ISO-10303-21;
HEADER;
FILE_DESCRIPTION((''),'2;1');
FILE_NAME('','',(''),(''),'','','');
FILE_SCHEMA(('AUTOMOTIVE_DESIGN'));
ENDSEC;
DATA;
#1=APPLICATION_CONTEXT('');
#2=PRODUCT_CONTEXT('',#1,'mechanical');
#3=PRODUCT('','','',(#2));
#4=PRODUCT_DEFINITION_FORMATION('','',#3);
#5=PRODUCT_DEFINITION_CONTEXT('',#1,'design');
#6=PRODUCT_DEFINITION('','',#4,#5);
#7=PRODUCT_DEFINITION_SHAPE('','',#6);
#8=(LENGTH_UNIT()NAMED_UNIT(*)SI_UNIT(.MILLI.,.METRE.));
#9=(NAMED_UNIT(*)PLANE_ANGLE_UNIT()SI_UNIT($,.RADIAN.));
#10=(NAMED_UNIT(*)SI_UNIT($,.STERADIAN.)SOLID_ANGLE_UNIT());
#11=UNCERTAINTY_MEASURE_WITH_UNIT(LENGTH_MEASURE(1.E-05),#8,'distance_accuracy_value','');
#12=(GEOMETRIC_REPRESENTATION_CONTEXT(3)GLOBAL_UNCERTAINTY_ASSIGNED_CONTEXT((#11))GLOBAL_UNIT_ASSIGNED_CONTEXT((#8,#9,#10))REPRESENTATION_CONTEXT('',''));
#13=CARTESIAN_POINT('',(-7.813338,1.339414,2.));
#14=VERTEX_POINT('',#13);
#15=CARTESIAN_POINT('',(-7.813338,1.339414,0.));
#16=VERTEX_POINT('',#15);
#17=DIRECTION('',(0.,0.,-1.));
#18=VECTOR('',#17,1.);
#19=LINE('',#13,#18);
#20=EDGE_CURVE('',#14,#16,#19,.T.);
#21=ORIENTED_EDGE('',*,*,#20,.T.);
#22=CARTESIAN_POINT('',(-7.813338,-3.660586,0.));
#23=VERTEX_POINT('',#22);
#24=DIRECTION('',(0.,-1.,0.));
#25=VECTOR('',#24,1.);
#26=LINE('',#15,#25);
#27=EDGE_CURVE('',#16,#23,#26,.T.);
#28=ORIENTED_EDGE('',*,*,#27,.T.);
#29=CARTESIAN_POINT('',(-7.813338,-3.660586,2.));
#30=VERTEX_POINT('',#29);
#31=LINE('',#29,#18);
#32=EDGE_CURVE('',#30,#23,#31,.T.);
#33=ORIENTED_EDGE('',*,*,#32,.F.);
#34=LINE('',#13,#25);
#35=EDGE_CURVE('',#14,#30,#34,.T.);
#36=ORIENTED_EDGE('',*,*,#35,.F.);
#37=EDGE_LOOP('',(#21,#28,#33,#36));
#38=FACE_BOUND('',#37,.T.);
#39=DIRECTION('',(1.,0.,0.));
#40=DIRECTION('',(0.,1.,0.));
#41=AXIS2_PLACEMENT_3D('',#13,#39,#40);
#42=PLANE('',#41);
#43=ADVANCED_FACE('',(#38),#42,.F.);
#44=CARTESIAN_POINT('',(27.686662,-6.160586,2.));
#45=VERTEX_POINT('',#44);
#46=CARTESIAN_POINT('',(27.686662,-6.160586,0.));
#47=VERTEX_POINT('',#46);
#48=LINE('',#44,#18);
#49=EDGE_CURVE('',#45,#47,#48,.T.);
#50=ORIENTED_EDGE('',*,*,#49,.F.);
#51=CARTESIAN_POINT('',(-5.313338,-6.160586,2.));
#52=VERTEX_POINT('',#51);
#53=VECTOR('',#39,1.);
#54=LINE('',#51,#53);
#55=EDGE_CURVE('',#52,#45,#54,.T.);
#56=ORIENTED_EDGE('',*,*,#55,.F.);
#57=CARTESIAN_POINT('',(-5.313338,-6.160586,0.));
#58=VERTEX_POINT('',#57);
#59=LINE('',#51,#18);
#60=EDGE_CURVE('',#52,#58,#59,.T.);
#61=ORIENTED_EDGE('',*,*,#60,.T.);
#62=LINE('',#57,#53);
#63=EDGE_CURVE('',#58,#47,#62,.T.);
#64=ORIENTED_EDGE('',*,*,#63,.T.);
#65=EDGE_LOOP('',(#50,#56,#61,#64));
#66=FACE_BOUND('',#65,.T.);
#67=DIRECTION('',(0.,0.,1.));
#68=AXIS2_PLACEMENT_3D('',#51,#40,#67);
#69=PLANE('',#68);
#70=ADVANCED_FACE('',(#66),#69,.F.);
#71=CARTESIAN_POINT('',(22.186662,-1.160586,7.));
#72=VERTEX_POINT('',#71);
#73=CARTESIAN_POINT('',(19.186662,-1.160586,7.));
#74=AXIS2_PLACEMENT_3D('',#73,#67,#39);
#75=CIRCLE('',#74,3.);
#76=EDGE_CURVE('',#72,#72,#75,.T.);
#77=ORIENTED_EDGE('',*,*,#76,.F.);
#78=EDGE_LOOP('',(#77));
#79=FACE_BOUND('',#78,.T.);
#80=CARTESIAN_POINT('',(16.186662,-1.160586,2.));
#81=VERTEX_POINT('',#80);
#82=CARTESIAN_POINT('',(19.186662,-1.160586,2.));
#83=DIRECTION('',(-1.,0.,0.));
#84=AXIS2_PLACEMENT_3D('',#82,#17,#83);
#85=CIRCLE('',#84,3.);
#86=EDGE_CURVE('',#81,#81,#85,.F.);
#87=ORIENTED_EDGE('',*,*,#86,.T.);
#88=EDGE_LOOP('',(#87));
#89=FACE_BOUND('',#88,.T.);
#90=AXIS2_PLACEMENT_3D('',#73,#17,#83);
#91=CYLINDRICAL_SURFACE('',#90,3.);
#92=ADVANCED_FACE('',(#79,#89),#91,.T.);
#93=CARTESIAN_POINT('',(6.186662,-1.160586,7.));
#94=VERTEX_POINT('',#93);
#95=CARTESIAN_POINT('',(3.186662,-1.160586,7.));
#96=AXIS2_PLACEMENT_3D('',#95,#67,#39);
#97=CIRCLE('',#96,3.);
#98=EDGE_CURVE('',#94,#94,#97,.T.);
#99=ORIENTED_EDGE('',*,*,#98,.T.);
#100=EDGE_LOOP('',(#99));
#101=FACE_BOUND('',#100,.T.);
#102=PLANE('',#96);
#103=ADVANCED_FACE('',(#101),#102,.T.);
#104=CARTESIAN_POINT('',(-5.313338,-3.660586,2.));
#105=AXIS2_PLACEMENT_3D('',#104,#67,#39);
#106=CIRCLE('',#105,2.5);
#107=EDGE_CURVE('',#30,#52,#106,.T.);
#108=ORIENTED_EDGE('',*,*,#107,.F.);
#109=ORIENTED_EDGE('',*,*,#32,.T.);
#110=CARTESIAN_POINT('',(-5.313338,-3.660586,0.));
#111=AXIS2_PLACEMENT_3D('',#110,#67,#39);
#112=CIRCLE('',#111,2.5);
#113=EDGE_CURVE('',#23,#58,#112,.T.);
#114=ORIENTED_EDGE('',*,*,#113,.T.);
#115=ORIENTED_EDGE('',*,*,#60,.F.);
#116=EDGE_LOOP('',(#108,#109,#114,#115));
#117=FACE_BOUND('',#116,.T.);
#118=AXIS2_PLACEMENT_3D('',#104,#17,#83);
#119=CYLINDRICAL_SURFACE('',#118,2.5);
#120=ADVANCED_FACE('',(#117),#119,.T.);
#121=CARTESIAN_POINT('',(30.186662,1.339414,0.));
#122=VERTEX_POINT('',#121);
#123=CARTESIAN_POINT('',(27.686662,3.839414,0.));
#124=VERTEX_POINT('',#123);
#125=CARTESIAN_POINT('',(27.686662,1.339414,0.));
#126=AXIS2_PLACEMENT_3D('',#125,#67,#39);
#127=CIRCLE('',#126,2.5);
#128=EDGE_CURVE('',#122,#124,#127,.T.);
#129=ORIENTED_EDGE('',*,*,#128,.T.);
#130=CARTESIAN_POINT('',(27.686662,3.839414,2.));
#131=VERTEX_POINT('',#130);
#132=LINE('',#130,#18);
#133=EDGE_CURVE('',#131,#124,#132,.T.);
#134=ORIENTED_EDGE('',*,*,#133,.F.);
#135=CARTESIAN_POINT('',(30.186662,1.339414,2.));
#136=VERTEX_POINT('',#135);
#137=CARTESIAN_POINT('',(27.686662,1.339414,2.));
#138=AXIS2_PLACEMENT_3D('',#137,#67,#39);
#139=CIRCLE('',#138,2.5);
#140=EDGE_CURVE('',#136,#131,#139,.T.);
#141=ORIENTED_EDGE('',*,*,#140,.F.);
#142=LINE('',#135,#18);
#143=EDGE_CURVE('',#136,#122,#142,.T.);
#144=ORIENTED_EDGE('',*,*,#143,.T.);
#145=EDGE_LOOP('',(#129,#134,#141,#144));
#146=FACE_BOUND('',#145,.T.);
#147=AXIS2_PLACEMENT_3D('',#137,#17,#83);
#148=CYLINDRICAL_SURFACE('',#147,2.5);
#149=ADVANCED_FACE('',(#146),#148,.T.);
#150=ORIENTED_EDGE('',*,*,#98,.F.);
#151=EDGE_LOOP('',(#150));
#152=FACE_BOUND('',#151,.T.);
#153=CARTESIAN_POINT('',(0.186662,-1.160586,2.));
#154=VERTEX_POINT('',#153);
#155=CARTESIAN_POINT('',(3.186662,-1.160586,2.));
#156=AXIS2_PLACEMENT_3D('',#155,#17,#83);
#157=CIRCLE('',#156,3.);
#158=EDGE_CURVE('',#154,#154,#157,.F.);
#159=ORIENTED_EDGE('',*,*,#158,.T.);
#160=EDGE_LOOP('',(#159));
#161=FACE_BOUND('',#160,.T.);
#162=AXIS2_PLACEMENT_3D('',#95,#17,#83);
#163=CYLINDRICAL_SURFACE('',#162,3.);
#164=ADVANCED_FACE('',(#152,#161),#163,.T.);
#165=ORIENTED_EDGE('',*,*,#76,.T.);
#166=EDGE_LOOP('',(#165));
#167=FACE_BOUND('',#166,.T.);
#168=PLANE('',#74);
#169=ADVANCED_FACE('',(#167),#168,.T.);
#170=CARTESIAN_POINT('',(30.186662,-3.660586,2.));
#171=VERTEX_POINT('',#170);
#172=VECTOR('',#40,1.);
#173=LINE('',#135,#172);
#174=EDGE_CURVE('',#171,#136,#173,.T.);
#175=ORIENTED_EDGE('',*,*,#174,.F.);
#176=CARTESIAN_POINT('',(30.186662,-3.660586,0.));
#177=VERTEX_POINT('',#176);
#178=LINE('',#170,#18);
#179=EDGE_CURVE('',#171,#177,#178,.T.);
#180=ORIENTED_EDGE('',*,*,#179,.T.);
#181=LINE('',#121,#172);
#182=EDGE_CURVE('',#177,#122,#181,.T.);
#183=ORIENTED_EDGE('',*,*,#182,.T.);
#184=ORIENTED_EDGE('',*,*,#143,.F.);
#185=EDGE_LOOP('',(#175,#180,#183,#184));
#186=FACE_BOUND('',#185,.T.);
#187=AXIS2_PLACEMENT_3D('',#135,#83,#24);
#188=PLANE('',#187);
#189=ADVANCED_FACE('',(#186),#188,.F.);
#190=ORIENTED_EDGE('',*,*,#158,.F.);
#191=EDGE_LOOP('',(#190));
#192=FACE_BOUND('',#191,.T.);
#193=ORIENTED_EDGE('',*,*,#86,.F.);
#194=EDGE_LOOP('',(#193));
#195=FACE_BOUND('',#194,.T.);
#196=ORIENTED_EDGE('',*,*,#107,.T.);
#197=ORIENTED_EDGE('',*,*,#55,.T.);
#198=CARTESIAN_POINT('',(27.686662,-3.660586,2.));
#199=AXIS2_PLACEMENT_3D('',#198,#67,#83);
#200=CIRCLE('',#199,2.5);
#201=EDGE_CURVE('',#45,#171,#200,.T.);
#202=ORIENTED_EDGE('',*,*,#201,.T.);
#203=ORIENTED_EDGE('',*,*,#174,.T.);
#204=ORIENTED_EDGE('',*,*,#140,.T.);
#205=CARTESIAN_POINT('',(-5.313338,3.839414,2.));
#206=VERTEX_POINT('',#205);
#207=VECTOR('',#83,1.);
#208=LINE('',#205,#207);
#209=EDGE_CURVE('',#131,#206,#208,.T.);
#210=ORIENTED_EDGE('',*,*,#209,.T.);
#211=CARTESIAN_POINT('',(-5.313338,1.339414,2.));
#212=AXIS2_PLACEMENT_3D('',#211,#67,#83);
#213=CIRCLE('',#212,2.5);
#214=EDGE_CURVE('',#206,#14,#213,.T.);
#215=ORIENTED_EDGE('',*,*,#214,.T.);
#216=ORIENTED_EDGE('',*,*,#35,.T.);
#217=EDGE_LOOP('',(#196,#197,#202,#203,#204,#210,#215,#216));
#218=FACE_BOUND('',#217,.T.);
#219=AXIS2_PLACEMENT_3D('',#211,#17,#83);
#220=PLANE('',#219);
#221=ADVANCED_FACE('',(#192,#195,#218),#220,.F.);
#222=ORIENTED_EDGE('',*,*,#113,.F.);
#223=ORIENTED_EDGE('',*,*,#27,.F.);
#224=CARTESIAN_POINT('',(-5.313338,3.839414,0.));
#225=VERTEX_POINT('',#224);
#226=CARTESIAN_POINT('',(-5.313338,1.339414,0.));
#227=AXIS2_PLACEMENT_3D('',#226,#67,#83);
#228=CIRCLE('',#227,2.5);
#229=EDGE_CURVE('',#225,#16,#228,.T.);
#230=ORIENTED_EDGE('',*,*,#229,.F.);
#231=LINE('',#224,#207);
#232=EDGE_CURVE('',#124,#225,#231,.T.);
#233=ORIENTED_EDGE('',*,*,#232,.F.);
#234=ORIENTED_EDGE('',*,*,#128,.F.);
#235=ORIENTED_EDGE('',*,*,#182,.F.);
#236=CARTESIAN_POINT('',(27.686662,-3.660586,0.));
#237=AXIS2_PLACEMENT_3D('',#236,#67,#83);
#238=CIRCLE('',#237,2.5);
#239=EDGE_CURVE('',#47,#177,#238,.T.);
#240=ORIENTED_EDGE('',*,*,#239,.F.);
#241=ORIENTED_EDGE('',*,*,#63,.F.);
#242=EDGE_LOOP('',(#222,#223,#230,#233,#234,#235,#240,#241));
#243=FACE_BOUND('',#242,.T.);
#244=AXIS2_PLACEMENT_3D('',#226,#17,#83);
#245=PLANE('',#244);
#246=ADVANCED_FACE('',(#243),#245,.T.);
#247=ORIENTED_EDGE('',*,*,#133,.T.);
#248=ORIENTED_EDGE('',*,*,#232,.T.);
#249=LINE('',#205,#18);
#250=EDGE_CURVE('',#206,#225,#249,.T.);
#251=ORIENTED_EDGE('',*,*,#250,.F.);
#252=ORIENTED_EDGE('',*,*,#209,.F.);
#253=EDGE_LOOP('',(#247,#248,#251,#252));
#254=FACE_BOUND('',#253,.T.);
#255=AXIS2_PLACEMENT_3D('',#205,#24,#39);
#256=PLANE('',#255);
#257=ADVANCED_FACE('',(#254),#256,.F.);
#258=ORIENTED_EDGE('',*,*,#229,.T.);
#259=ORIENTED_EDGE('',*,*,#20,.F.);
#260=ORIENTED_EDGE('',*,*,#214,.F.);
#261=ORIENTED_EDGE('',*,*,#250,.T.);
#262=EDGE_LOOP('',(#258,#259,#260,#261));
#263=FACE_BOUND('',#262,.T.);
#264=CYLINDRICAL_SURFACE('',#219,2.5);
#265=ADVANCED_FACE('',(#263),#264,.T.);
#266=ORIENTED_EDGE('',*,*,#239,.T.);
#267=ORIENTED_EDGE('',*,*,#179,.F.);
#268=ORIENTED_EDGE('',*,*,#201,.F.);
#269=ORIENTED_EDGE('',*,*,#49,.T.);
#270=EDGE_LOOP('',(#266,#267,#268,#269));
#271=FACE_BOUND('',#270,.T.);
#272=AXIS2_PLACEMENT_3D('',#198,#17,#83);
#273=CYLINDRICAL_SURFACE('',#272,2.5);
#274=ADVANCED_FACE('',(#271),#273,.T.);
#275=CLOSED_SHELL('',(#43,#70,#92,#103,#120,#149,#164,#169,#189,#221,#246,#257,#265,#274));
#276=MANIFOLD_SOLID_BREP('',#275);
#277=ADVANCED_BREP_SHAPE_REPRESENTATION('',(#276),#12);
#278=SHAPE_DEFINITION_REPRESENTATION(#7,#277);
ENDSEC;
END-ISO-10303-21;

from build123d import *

# Parameters (mm, degrees)
BOSS_EXTRUDE1_DEPTH = 2
SKETCH2_R           = 3
BOSS_EXTRUDE2_DEPTH = 5


with BuildPart() as part:
    # Sketch1 → Boss-Extrude1 (new body)
    with BuildSketch(Plane.XY):
        with BuildLine():
            Line((-5.313337951, 3.839414132), (27.686662049, 3.839414132))
            ThreePointArc((27.686662049, 3.839414132), (29.454429002, 3.107181085), (30.186662049, 1.339414132))
            Line((30.186662049, 1.339414132), (30.186662049, -3.660585868))
            ThreePointArc((30.186662049, -3.660585868), (29.454429002, -5.428352821), (27.686662049, -6.160585868))
            Line((27.686662049, -6.160585868), (-5.313337951, -6.160585868))
            ThreePointArc((-5.313337951, -6.160585868), (-7.081104904, -5.428352821), (-7.813337951, -3.660585868))
            Line((-7.813337951, -3.660585868), (-7.813337951, 1.339414132))
            ThreePointArc((-7.813337951, 1.339414132), (-7.081104904, 3.107181085), (-5.313337951, 3.839414132))
        make_face()
    extrude(amount=BOSS_EXTRUDE1_DEPTH)

    # Sketch2 → Boss-Extrude2 (add)
    with BuildSketch(Plane.XY.offset(2)):
        with Locations(Location((3.186662049, -1.160585868, 0), (0, 0, 180))):
            Circle(SKETCH2_R)
        with Locations(Location((19.186662049, -1.160585868, 0), (0, 0, 180))):
            Circle(SKETCH2_R)
    extrude(amount=BOSS_EXTRUDE2_DEPTH)


solid = part.part
